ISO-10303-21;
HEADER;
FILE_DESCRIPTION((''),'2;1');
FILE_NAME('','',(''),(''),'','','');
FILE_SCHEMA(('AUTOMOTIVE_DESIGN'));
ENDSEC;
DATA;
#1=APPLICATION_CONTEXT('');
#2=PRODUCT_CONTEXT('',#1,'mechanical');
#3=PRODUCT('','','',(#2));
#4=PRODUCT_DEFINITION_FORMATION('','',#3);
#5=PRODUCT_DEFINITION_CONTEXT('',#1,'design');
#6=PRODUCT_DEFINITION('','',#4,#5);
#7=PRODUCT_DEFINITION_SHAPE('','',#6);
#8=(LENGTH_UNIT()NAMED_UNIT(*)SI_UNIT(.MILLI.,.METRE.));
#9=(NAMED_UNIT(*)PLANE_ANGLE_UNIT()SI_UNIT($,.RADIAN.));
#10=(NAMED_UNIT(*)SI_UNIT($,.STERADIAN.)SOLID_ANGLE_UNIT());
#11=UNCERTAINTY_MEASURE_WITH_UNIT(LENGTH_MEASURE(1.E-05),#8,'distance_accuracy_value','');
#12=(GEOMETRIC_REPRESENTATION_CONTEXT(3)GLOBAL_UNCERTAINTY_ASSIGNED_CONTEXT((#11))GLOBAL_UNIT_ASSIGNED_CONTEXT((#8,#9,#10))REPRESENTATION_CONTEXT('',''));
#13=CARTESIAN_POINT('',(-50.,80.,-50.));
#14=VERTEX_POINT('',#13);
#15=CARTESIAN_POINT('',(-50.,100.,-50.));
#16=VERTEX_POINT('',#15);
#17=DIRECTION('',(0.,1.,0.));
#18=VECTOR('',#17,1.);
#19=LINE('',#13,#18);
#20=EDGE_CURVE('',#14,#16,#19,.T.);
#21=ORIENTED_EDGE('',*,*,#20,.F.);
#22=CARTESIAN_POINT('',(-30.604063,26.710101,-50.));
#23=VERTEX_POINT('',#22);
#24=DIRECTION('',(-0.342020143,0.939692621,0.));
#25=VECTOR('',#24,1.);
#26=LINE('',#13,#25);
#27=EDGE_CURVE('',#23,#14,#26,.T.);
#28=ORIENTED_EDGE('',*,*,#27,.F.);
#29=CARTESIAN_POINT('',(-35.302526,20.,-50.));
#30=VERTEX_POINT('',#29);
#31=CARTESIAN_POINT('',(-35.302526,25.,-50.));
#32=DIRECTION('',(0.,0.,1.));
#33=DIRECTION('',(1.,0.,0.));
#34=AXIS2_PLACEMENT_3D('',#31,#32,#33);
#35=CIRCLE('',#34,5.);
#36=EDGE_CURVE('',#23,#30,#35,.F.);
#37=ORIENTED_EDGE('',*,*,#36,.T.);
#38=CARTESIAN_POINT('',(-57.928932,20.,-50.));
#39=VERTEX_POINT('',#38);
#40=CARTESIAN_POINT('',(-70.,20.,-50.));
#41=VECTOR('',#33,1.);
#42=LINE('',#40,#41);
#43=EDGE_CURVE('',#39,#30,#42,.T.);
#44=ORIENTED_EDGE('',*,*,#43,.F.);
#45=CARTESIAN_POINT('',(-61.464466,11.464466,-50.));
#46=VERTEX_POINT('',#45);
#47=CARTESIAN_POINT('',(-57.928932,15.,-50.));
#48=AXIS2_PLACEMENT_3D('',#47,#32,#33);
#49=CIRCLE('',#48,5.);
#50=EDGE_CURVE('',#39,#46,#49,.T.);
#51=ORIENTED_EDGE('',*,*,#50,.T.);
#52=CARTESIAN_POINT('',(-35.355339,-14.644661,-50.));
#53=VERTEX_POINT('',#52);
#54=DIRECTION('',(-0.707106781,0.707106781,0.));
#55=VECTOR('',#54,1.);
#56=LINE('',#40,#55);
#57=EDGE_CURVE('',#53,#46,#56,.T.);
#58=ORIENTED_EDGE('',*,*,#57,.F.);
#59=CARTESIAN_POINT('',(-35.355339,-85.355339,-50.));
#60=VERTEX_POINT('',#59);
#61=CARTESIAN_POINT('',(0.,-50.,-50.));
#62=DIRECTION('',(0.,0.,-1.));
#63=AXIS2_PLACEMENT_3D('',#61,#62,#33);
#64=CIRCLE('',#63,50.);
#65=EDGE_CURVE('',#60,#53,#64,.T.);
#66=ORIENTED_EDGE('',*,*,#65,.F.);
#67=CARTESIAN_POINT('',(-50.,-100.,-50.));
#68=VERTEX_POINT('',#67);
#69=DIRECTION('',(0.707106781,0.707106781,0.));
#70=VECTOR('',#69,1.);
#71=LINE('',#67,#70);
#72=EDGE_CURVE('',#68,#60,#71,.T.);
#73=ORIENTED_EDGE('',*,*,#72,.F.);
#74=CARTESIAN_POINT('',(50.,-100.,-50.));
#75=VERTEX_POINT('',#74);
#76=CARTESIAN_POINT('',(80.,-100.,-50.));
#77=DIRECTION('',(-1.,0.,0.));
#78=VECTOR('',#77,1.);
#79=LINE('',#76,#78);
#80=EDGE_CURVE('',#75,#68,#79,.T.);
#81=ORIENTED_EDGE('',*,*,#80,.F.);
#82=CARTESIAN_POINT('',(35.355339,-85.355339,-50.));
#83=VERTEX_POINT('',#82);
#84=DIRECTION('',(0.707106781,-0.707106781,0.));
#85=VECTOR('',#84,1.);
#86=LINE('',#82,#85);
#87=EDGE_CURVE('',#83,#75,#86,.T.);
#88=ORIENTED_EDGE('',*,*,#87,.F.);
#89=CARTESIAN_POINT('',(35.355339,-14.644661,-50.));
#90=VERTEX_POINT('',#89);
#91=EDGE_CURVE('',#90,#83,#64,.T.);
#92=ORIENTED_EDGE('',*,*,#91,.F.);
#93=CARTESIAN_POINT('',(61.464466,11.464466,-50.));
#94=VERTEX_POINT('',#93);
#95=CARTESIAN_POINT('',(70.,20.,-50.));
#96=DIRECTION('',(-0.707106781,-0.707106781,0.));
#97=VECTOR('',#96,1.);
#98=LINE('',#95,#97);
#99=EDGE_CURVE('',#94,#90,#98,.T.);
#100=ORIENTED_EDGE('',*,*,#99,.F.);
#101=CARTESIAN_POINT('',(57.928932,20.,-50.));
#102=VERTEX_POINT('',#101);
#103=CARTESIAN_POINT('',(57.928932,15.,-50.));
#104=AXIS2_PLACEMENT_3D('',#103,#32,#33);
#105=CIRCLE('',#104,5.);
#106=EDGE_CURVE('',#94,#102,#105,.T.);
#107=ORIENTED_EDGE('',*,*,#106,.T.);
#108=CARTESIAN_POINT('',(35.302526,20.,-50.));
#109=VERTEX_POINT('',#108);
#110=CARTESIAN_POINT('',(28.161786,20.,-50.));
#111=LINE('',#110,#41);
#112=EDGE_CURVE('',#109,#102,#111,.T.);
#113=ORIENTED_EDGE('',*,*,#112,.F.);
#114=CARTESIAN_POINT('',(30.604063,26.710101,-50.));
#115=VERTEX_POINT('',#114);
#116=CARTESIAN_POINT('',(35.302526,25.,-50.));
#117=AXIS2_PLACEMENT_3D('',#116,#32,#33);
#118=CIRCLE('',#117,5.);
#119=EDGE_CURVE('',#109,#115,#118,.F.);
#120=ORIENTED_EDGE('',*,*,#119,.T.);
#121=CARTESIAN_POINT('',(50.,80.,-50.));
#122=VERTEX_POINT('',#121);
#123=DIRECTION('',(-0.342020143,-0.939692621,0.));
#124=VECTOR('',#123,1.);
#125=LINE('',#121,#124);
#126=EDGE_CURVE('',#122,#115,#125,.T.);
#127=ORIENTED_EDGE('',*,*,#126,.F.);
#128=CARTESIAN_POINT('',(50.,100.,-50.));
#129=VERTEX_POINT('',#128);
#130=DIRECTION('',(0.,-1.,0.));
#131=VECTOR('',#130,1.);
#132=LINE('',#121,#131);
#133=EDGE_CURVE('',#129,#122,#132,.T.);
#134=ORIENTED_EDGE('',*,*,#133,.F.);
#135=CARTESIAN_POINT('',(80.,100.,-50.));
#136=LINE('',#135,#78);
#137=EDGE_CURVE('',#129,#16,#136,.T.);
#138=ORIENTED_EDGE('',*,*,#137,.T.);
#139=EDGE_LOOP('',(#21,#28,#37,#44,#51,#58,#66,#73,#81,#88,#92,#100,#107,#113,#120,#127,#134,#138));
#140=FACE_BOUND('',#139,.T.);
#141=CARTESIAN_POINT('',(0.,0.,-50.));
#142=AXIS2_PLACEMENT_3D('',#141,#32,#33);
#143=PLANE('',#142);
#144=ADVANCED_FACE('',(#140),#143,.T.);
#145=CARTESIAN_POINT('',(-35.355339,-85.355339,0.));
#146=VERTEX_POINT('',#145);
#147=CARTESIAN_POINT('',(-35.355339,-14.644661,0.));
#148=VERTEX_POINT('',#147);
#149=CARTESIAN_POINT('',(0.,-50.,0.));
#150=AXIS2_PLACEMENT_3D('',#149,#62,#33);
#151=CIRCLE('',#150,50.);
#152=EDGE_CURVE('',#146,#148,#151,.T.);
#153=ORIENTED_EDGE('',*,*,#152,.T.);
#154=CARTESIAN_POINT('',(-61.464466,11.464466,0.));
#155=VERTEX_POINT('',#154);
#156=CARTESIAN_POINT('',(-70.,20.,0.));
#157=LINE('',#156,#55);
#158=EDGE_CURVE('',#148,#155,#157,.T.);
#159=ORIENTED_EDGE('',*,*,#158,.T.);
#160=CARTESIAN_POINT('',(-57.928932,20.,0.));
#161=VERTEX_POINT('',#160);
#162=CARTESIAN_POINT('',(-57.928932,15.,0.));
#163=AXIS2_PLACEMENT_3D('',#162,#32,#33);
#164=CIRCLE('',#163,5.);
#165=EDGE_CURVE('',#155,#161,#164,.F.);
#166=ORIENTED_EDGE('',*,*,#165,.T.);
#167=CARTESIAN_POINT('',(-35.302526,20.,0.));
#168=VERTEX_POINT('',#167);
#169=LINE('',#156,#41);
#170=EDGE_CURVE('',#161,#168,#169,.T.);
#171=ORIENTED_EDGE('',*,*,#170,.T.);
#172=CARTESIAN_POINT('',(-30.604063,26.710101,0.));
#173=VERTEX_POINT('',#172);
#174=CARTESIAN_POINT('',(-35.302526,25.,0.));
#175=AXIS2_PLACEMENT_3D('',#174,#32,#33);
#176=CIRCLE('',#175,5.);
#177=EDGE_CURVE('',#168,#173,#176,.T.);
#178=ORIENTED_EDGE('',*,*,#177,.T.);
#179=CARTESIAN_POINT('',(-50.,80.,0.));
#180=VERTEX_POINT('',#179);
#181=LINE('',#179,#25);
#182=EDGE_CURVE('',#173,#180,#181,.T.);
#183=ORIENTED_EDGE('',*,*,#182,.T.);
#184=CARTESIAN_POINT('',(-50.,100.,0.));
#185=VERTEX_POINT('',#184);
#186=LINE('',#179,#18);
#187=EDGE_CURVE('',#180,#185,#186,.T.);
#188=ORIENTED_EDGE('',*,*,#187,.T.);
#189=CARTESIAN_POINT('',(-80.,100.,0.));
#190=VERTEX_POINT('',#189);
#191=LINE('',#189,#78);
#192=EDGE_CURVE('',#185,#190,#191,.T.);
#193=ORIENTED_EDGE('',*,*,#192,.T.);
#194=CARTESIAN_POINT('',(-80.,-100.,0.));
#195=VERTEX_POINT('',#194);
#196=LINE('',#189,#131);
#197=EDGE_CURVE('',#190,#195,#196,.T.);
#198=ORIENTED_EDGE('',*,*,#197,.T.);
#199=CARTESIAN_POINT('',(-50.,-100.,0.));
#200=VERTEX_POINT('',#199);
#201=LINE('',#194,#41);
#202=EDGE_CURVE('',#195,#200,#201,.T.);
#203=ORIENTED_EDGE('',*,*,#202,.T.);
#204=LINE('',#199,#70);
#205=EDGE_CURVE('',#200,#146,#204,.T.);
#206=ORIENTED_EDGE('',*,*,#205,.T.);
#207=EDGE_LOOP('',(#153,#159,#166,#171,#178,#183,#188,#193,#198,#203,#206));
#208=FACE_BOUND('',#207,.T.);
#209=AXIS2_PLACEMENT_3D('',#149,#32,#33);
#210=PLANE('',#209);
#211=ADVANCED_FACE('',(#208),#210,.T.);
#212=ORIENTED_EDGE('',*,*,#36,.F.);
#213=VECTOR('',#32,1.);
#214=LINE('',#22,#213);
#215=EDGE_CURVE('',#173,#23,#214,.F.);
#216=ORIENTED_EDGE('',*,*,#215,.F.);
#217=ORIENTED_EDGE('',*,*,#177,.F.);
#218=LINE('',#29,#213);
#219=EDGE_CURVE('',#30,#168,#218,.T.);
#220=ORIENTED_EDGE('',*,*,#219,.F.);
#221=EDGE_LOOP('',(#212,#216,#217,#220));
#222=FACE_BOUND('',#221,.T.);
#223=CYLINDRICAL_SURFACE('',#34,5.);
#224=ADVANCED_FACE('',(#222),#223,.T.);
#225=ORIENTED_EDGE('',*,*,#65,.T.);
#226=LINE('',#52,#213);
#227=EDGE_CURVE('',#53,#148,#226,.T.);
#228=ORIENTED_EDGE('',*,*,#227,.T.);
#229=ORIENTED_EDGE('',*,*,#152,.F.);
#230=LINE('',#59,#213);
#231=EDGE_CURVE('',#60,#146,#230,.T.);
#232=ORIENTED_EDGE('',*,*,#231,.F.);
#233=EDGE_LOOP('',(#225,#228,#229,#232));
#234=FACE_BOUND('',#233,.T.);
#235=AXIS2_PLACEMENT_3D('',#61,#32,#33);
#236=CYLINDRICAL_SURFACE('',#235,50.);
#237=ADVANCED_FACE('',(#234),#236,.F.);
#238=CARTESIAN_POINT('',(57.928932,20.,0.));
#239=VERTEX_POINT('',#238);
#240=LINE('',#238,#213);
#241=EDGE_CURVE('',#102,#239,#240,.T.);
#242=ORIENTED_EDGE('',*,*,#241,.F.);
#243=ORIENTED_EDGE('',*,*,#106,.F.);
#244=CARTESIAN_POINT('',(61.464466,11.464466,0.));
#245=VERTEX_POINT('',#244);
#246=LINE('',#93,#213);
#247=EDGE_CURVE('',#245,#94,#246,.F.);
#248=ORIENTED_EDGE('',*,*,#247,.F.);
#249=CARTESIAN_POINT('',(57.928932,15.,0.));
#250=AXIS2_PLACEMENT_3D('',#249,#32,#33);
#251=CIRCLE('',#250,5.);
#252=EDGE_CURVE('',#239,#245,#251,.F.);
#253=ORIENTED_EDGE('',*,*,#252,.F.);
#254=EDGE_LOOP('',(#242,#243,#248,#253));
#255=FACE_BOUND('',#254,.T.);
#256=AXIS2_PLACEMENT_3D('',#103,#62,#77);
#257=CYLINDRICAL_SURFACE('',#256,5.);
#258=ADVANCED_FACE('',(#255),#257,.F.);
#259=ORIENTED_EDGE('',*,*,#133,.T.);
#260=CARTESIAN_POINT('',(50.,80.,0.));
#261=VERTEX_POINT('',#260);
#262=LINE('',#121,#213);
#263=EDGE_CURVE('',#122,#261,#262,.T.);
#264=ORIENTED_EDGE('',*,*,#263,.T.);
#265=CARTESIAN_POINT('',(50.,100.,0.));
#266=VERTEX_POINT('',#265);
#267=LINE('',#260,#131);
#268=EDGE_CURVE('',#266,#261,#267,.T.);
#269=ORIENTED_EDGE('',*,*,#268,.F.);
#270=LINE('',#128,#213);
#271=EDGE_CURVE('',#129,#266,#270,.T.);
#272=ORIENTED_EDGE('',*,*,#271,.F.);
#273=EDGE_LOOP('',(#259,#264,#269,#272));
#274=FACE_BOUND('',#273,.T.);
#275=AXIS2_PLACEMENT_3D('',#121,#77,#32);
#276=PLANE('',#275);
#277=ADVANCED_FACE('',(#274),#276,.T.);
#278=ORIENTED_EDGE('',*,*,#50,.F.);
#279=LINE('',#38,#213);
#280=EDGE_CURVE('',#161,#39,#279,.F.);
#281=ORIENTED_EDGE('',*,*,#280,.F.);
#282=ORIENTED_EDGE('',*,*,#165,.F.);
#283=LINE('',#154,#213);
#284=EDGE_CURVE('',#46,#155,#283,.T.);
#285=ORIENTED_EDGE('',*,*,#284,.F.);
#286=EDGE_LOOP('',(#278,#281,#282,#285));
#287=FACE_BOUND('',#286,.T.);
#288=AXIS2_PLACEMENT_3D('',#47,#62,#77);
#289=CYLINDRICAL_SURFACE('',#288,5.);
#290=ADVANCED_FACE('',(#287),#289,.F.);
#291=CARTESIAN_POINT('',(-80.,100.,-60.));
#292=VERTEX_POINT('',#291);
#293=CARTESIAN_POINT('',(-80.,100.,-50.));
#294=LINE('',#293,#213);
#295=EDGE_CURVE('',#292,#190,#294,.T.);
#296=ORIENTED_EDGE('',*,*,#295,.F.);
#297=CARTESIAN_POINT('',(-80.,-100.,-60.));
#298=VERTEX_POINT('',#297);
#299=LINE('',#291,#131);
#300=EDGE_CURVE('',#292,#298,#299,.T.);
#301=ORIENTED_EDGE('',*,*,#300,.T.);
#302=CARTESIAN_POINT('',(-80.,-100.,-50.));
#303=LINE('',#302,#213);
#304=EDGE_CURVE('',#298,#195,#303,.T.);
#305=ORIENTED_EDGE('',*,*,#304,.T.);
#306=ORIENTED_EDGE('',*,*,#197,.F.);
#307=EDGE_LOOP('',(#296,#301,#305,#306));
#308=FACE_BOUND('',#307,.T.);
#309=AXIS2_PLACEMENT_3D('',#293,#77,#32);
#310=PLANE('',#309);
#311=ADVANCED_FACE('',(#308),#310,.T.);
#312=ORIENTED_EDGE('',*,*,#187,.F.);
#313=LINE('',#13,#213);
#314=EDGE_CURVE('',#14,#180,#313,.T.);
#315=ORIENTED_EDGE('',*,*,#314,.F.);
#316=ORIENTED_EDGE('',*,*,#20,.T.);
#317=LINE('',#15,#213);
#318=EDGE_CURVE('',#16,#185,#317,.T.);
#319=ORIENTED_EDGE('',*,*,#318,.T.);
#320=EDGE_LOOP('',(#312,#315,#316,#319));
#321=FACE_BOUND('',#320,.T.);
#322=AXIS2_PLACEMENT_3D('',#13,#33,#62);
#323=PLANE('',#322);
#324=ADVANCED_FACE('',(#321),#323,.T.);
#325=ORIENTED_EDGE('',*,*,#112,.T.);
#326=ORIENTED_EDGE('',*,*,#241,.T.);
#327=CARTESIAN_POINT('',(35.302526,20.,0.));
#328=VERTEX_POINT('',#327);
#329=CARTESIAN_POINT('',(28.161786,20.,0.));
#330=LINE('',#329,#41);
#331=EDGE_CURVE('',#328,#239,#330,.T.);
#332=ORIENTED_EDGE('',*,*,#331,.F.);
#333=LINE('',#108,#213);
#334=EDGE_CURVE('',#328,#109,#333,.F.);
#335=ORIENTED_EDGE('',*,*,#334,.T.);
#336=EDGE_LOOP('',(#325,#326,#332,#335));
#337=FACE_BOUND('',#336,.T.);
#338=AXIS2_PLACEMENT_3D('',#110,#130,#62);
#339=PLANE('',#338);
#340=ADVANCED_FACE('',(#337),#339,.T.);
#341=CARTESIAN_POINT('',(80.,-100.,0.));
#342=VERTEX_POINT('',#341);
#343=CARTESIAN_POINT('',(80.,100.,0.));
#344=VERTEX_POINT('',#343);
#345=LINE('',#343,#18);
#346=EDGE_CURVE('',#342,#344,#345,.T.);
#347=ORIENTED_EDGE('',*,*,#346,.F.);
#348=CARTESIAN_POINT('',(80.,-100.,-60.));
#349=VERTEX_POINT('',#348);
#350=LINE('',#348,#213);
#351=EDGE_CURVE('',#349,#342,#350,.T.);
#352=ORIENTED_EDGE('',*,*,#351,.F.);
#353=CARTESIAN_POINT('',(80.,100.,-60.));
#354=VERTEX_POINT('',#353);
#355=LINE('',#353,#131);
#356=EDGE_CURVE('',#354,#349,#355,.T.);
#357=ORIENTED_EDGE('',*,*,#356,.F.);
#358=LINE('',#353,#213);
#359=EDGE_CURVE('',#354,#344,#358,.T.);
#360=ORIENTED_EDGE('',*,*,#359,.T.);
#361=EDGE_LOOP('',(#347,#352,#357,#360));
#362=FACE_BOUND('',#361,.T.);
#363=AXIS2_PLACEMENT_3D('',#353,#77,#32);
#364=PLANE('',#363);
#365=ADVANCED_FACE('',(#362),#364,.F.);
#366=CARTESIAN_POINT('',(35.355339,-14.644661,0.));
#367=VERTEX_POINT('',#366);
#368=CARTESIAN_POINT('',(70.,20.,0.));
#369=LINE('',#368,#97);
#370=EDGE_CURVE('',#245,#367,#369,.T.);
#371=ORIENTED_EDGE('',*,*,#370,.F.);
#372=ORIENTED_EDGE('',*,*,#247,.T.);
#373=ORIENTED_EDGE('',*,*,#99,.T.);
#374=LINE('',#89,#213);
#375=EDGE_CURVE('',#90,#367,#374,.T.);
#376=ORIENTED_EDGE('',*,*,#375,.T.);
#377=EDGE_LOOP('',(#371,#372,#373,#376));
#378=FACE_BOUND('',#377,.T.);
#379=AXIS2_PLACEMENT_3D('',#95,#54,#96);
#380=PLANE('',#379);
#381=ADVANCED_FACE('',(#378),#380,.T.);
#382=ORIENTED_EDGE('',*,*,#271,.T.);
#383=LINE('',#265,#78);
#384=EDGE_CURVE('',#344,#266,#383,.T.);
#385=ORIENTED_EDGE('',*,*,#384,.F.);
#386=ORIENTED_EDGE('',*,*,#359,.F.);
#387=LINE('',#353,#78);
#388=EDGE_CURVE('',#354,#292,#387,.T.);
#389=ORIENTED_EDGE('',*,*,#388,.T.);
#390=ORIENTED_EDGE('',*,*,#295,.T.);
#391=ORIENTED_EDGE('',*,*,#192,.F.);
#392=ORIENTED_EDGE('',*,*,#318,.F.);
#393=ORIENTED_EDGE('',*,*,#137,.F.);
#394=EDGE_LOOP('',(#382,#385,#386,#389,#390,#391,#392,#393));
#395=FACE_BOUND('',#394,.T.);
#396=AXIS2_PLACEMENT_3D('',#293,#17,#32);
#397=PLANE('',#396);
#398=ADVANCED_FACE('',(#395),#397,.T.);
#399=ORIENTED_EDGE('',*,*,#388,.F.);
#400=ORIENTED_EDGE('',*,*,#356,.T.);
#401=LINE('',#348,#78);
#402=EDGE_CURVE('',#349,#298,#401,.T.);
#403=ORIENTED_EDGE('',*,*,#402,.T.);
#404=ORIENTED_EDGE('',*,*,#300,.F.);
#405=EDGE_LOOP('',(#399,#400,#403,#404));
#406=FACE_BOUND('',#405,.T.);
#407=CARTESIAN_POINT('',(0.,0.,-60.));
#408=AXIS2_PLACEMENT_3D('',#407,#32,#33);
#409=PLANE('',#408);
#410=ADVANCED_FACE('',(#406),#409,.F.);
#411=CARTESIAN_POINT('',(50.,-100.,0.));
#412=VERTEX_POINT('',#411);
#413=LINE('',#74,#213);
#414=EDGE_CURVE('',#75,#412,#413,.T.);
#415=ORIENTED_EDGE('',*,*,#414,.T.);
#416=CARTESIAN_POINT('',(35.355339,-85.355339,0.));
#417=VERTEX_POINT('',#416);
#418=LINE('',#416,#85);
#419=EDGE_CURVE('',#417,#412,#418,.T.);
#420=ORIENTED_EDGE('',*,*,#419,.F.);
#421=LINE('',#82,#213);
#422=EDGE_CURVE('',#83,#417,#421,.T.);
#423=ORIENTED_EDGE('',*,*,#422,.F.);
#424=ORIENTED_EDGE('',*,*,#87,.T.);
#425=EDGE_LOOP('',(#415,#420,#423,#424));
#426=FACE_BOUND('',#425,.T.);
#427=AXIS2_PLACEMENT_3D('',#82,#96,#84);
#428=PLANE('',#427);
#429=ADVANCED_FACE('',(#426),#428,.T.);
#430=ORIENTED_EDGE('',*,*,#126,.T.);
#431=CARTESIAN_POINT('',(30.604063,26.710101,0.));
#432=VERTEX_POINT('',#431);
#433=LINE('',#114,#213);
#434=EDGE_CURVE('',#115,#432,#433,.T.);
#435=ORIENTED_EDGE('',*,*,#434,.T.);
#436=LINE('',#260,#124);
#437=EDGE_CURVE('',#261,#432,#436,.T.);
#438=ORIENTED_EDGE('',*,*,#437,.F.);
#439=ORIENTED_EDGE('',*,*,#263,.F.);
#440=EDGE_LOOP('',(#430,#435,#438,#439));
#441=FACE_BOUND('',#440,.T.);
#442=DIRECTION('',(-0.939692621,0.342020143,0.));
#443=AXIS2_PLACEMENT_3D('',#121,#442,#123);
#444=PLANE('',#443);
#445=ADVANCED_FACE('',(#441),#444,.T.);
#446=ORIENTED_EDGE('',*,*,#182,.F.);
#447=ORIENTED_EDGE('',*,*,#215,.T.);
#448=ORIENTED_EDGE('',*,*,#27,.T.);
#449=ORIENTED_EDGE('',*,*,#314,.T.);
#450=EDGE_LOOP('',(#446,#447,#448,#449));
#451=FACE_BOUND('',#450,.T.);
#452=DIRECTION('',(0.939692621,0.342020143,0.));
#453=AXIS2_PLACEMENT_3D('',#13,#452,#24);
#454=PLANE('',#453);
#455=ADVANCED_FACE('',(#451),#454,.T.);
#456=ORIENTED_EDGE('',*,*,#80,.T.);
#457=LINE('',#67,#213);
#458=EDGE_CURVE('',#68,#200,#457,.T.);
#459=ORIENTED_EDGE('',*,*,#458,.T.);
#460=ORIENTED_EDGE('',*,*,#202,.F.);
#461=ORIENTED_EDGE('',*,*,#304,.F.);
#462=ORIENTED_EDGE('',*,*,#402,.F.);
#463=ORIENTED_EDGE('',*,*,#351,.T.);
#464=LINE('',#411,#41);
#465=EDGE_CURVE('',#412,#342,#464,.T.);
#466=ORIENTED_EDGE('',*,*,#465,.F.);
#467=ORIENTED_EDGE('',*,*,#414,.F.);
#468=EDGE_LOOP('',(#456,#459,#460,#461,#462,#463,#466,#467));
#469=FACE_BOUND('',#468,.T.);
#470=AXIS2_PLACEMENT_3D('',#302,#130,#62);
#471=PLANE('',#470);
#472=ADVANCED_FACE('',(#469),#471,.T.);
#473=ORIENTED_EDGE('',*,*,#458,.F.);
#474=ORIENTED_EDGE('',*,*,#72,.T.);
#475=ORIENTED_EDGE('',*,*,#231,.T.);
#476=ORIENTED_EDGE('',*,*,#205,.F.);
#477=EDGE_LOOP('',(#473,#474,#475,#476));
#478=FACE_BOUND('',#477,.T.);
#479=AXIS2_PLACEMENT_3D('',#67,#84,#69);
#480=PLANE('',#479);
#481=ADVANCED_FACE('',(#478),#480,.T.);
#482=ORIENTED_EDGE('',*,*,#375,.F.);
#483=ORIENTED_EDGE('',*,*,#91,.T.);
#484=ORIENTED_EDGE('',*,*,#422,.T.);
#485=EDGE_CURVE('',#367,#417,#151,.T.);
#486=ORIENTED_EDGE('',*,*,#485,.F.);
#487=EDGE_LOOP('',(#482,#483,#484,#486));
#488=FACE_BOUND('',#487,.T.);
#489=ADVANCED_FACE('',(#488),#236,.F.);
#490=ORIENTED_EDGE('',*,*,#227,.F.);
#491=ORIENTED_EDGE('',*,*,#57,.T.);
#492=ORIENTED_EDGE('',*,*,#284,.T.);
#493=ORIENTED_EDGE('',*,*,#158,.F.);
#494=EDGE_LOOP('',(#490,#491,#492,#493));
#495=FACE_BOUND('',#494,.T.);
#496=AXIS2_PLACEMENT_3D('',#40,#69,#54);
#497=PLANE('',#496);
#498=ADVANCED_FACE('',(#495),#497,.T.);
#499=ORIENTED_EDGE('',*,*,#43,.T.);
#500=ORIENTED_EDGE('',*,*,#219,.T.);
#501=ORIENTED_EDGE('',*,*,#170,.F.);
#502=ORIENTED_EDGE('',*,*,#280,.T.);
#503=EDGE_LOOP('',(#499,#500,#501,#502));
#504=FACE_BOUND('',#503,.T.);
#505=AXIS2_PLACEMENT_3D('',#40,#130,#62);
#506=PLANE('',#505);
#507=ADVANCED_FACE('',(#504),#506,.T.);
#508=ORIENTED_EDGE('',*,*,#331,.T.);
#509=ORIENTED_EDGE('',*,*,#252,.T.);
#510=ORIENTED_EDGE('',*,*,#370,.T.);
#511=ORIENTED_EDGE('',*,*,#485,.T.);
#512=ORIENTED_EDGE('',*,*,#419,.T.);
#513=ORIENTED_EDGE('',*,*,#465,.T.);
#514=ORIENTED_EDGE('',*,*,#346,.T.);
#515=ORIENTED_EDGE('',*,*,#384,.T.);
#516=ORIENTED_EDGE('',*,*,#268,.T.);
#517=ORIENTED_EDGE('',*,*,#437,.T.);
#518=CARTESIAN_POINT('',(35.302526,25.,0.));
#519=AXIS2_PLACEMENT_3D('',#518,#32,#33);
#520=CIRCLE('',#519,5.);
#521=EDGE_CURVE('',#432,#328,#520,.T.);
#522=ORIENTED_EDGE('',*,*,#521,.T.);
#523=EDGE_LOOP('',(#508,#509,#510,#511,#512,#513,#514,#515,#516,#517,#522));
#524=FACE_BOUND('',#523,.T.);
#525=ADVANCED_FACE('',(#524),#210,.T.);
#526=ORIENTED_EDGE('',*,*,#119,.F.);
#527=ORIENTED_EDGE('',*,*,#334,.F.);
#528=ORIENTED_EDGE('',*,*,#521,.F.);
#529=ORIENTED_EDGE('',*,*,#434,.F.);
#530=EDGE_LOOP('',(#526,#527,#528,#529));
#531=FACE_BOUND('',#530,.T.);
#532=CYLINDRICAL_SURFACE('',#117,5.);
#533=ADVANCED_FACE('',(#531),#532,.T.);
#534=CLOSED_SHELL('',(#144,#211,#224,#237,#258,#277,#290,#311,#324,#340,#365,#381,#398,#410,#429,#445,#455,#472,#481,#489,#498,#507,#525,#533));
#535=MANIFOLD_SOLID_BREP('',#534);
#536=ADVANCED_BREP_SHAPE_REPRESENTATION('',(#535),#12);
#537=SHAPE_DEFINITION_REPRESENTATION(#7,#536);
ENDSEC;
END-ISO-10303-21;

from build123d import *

# Parameters (mm, degrees)
BOSS_EXTRUDE1_DEPTH   = 50
BOSS_EXTRUDE1_2_DEPTH = 50
SKETCH3_W             = 160
SKETCH3_H             = 200
BOSS_EXTRUDE2_DEPTH   = 10
FILLET1_R             = 5


with BuildPart() as part:
    # Sketch2 → Boss-Extrude1 (new body)
    with BuildSketch(Plane.XY):
        with BuildLine():
            Line((-70, 20), (-35.355339059, -14.644660941))
            ThreePointArc((-35.355339059, -14.644660941), (-50, -50), (-35.355339059, -85.355339059))
            Line((-35.355339059, -85.355339059), (-50, -100))
            Line((-50, -100), (-80, -100))
            Line((-80, -100), (-80, 100))
            Line((-80, 100), (-50, 100))
            Line((-50, 100), (-50, 80))
            Line((-50, 80), (-28.161785944, 20))
            Line((-28.161785944, 20), (-70, 20))
        make_face()
    extrude(amount=-BOSS_EXTRUDE1_DEPTH)



with BuildPart() as body_2:
    # Sketch2 → Boss-Extrude1 2 (new body)
    with BuildSketch(Plane.XY):
        with BuildLine():
            Line((70, 20), (35.355339059, -14.644660941))
            ThreePointArc((35.355339059, -14.644660941), (50, -50), (35.355339059, -85.355339059))
            Line((35.355339059, -85.355339059), (50, -100))
            Line((50, -100), (80, -100))
            Line((80, -100), (80, 100))
            Line((80, 100), (50, 100))
            Line((50, 100), (50, 80))
            Line((50, 80), (28.161785944, 20))
            Line((28.161785944, 20), (70, 20))
        make_face()
    extrude(amount=-BOSS_EXTRUDE1_2_DEPTH)


with BuildPart() as part_1:
    add(part.part)

    add(body_2.part)  # Boss-Extrude2 merges body 2
    # Sketch3 → Boss-Extrude2 (add)
    with BuildSketch(Plane(origin=(0, 0, -50), x_dir=(-1, 0, 0), z_dir=(0, 0, -1))):
        Rectangle(SKETCH3_W, SKETCH3_H)
    extrude(amount=BOSS_EXTRUDE2_DEPTH)

    # Fillet1
    fillet1_edges = [part_1.edges().sort_by_distance(p)[0] for p in [
        (-28.161785944, 20, -25),
        (-70, 20, -25),
        (70, 20, -25),
        (28.161785944, 20, -25),
    ]]
    fillet(fillet1_edges, radius=FILLET1_R)


solid = part_1.part
